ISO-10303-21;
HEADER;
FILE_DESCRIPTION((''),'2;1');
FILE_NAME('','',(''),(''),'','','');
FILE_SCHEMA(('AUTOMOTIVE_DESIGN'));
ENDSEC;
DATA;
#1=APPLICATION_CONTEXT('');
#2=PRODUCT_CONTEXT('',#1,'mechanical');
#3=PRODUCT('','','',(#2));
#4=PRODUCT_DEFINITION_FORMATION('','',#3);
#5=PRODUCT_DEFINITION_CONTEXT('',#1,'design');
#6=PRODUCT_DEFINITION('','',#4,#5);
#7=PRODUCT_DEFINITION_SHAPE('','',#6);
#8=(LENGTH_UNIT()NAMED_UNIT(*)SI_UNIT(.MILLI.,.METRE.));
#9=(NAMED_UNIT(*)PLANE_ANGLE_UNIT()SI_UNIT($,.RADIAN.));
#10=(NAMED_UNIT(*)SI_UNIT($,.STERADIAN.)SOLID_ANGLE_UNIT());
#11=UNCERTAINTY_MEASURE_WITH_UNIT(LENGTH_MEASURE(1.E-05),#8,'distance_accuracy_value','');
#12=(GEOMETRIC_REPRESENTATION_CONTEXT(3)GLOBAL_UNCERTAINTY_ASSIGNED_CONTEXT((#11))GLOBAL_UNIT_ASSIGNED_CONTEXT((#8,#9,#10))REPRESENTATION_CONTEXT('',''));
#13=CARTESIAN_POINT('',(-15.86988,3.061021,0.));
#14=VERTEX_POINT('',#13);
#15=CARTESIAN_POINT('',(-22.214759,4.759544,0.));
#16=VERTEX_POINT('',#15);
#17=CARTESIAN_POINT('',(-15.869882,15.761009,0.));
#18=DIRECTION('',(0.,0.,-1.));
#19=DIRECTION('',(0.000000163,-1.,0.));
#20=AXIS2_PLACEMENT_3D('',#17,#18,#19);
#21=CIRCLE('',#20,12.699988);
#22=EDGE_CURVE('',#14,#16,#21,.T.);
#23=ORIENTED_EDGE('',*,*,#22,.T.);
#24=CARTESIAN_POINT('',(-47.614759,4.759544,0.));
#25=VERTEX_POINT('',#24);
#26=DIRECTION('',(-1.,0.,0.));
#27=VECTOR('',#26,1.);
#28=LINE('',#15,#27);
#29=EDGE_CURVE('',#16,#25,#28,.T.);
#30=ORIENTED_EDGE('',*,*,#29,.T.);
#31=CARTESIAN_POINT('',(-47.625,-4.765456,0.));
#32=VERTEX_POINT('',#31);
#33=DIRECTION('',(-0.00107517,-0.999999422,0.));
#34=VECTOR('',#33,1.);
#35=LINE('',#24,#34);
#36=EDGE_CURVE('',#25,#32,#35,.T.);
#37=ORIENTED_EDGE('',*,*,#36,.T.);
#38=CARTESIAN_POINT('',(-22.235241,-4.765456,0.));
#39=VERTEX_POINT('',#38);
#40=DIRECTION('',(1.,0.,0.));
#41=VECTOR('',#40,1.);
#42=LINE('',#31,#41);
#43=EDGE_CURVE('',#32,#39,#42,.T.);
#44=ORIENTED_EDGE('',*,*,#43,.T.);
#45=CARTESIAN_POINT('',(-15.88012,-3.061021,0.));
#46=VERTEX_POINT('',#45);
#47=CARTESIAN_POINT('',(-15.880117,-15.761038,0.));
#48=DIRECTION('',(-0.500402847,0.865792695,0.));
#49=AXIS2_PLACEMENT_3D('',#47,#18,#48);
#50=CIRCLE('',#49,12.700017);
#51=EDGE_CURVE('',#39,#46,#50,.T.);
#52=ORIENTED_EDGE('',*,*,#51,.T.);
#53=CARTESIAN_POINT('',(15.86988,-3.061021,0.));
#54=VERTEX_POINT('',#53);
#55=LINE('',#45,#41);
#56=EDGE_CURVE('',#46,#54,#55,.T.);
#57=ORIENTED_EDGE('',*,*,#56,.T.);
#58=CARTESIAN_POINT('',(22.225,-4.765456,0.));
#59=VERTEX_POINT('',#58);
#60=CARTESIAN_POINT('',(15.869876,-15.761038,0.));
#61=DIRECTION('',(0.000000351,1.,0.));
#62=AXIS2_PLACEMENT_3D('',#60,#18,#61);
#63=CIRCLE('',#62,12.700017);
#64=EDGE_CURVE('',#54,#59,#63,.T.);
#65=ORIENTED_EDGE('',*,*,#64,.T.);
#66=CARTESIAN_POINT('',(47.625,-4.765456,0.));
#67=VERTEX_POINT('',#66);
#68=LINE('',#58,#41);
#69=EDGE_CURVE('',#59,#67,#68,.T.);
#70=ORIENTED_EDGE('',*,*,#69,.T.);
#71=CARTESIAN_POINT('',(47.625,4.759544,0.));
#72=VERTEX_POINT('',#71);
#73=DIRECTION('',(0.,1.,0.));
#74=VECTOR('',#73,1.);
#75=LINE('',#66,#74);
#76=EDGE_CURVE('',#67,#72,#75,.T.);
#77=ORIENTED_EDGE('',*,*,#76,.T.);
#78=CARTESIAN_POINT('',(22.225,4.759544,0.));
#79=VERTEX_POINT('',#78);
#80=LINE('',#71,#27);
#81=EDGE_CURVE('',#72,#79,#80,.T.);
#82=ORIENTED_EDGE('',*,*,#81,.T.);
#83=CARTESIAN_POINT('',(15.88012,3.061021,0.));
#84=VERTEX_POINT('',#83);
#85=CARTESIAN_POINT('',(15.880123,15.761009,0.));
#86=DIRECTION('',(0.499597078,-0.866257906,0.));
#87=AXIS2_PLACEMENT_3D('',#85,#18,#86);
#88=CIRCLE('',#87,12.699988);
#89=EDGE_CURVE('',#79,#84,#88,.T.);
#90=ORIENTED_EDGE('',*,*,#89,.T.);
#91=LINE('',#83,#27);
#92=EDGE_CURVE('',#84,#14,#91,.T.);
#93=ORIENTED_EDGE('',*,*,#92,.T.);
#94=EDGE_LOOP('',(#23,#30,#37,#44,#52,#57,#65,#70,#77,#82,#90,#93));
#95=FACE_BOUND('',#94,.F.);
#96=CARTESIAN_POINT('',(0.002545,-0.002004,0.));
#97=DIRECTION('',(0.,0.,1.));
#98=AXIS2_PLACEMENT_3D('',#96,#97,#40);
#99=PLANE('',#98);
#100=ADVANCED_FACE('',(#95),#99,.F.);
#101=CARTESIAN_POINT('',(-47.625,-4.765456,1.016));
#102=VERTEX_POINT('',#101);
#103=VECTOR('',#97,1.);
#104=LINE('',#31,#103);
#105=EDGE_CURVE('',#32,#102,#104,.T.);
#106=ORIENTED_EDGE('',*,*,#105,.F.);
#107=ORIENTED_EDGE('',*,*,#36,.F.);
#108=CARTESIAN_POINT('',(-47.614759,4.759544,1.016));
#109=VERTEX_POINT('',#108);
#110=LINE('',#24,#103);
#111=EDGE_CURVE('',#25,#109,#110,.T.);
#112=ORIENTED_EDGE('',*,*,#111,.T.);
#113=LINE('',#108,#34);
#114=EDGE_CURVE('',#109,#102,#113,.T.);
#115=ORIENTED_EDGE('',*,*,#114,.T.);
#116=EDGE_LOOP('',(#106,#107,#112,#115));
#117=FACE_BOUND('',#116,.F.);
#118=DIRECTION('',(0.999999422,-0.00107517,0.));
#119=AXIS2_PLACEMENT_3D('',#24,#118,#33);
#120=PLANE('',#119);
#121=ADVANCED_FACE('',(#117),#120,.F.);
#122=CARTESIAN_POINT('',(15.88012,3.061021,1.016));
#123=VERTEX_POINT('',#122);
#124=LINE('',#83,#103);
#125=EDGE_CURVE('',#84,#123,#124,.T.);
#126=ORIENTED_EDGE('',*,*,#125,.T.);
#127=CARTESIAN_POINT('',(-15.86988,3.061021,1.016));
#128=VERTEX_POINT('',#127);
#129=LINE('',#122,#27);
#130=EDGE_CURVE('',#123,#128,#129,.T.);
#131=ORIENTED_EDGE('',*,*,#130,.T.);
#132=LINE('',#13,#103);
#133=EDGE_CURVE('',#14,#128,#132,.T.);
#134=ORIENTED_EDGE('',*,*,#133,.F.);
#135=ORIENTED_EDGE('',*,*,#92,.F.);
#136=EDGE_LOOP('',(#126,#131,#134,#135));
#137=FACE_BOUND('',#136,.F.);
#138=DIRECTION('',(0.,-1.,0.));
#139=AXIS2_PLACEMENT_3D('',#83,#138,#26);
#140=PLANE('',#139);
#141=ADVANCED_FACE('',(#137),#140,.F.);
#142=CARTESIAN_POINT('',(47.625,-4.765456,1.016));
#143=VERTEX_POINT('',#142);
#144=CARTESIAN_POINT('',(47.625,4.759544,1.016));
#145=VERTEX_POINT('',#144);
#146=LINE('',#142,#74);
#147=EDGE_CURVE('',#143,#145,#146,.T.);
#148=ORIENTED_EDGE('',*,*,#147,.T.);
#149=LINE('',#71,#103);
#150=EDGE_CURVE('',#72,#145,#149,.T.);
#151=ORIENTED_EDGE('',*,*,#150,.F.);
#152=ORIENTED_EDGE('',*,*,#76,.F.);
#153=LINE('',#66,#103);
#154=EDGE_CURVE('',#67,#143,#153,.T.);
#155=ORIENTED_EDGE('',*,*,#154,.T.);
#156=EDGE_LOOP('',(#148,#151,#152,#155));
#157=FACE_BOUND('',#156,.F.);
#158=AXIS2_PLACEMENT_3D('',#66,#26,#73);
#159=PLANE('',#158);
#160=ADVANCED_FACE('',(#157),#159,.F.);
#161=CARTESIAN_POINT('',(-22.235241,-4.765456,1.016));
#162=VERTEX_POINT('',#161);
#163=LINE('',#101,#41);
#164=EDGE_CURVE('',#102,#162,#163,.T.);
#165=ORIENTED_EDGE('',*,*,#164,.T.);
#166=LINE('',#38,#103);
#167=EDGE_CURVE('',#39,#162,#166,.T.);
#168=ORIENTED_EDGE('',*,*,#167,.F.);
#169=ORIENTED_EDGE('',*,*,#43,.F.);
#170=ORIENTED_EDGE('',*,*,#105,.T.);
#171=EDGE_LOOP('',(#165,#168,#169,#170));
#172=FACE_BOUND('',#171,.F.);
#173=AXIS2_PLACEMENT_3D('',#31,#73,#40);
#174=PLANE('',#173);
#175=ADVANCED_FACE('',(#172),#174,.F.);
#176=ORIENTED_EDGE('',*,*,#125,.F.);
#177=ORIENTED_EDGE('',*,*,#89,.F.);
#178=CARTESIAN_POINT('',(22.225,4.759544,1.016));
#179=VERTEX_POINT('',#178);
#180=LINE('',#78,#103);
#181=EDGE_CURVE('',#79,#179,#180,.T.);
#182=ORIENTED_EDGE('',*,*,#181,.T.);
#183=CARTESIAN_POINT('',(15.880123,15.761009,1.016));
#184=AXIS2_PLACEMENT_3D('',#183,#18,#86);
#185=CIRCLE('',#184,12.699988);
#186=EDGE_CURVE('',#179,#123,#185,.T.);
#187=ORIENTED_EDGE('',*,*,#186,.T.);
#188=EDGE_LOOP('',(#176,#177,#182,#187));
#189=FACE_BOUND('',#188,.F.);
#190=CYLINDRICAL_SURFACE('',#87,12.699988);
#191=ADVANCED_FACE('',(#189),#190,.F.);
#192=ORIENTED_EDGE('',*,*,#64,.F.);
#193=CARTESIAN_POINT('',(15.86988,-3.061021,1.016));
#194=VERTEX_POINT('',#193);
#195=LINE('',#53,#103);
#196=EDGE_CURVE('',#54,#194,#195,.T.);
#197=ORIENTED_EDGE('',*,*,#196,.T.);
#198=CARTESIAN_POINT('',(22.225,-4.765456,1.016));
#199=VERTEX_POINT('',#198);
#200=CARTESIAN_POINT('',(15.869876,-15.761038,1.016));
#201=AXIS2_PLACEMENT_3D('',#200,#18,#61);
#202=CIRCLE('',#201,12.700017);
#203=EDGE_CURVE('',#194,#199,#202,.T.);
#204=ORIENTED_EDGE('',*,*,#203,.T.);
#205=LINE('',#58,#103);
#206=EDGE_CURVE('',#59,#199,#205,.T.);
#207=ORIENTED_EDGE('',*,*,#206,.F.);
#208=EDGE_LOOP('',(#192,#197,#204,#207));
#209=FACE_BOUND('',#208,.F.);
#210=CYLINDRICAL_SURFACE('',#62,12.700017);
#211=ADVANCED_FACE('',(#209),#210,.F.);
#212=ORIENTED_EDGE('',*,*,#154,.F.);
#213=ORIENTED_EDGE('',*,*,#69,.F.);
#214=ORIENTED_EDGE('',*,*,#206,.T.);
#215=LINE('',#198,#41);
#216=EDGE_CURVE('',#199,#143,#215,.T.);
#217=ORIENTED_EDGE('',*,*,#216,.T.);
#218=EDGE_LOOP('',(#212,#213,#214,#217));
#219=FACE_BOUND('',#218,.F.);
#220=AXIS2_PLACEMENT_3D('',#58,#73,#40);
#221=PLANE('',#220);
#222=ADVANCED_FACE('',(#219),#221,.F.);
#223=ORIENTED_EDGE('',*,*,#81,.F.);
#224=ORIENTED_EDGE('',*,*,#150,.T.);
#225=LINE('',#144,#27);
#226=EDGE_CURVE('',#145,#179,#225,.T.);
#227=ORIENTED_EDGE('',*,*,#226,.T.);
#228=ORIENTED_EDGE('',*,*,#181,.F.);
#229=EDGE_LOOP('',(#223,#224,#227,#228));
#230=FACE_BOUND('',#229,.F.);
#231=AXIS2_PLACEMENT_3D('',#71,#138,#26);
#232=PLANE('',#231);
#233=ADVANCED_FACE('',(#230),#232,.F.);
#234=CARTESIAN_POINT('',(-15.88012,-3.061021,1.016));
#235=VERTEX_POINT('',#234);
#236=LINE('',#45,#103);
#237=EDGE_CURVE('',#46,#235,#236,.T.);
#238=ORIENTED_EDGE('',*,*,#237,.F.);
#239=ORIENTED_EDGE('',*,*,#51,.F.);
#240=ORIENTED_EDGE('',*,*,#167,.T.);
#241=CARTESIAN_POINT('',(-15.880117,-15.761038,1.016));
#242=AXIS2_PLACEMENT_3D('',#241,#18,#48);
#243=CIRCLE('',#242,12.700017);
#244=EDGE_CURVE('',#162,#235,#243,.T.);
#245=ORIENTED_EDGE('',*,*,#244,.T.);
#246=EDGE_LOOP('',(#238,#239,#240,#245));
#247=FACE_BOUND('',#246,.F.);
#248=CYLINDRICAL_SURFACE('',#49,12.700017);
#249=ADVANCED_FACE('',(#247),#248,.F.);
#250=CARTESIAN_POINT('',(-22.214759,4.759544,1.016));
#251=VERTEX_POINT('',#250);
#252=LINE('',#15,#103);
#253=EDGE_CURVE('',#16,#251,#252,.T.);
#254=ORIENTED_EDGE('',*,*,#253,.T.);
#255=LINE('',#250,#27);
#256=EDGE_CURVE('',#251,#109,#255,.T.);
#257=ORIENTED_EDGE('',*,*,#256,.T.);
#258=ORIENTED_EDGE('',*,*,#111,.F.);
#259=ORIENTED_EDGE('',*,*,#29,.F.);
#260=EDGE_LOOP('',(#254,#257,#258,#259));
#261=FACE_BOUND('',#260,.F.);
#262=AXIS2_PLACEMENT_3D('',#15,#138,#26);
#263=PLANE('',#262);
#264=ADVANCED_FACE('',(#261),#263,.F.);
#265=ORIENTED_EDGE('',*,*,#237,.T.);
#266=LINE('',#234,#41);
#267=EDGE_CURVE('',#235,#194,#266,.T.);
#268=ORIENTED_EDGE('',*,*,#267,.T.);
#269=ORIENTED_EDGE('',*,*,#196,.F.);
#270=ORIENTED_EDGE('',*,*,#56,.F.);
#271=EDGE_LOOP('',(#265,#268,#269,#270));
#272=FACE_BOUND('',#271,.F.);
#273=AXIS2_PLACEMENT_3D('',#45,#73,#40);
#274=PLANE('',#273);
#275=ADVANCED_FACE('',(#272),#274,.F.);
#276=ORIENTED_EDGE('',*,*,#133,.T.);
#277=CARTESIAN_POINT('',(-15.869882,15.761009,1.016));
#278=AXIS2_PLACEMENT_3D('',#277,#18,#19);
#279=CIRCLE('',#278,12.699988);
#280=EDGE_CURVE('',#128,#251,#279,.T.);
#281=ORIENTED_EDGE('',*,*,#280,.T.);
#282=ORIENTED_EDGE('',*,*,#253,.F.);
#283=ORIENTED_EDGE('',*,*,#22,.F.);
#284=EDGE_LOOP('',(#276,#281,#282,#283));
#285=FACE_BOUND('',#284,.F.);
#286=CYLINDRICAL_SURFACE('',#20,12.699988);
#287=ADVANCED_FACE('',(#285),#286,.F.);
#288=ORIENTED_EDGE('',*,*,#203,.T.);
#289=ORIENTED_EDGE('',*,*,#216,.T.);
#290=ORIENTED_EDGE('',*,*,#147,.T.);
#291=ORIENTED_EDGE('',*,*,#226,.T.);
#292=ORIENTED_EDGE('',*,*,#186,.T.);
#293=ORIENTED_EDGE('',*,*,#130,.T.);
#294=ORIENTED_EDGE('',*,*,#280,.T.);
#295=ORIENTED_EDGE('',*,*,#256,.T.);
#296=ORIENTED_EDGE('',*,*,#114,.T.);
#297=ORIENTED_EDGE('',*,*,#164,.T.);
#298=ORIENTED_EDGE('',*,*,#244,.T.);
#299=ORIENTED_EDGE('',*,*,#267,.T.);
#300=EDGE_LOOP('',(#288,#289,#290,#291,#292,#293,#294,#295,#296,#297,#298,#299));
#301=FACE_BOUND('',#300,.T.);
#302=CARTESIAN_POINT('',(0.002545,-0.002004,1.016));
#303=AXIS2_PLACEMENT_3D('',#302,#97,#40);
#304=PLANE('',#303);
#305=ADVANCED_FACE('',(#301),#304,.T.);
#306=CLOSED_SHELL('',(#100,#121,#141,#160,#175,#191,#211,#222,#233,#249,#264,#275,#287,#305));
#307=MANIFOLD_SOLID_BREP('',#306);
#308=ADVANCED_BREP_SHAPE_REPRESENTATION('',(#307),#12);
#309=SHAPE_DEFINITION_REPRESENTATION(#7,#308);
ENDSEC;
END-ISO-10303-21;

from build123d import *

# Parameters (mm, degrees)
F1_DEPTH = 1.016


with BuildPart() as f1:
    # F0 (on Top) → F1 (new body)
    with BuildSketch(Plane.XY):
        with BuildLine():
            ThreePointArc((22.225, 4.759544), (19.164267, 3.492998), (15.88012, 3.061021))
            Line((15.88012, 3.061021), (-15.86988, 3.061021))
            ThreePointArc((-15.86988, 3.061021), (-19.154026, 3.492998), (-22.214759, 4.759544))
            Line((-22.214759, 4.759544), (-47.614759, 4.759544))
            Line((-47.614759, 4.759544), (-47.625, -4.765456))
            Line((-47.625, -4.765456), (-22.235241, -4.765456))
            ThreePointArc((-22.235241, -4.765456), (-19.169978, -3.494529), (-15.88012, -3.061021))
            Line((-15.88012, -3.061021), (15.86988, -3.061021))
            ThreePointArc((15.86988, -3.061021), (19.159737, -3.494529), (22.225, -4.765456))
            Line((22.225, -4.765456), (47.625, -4.765456))
            Line((47.625, -4.765456), (47.625, 4.759544))
            Line((47.625, 4.759544), (22.225, 4.759544))
        make_face()
    extrude(amount=F1_DEPTH)


solid = f1.part
